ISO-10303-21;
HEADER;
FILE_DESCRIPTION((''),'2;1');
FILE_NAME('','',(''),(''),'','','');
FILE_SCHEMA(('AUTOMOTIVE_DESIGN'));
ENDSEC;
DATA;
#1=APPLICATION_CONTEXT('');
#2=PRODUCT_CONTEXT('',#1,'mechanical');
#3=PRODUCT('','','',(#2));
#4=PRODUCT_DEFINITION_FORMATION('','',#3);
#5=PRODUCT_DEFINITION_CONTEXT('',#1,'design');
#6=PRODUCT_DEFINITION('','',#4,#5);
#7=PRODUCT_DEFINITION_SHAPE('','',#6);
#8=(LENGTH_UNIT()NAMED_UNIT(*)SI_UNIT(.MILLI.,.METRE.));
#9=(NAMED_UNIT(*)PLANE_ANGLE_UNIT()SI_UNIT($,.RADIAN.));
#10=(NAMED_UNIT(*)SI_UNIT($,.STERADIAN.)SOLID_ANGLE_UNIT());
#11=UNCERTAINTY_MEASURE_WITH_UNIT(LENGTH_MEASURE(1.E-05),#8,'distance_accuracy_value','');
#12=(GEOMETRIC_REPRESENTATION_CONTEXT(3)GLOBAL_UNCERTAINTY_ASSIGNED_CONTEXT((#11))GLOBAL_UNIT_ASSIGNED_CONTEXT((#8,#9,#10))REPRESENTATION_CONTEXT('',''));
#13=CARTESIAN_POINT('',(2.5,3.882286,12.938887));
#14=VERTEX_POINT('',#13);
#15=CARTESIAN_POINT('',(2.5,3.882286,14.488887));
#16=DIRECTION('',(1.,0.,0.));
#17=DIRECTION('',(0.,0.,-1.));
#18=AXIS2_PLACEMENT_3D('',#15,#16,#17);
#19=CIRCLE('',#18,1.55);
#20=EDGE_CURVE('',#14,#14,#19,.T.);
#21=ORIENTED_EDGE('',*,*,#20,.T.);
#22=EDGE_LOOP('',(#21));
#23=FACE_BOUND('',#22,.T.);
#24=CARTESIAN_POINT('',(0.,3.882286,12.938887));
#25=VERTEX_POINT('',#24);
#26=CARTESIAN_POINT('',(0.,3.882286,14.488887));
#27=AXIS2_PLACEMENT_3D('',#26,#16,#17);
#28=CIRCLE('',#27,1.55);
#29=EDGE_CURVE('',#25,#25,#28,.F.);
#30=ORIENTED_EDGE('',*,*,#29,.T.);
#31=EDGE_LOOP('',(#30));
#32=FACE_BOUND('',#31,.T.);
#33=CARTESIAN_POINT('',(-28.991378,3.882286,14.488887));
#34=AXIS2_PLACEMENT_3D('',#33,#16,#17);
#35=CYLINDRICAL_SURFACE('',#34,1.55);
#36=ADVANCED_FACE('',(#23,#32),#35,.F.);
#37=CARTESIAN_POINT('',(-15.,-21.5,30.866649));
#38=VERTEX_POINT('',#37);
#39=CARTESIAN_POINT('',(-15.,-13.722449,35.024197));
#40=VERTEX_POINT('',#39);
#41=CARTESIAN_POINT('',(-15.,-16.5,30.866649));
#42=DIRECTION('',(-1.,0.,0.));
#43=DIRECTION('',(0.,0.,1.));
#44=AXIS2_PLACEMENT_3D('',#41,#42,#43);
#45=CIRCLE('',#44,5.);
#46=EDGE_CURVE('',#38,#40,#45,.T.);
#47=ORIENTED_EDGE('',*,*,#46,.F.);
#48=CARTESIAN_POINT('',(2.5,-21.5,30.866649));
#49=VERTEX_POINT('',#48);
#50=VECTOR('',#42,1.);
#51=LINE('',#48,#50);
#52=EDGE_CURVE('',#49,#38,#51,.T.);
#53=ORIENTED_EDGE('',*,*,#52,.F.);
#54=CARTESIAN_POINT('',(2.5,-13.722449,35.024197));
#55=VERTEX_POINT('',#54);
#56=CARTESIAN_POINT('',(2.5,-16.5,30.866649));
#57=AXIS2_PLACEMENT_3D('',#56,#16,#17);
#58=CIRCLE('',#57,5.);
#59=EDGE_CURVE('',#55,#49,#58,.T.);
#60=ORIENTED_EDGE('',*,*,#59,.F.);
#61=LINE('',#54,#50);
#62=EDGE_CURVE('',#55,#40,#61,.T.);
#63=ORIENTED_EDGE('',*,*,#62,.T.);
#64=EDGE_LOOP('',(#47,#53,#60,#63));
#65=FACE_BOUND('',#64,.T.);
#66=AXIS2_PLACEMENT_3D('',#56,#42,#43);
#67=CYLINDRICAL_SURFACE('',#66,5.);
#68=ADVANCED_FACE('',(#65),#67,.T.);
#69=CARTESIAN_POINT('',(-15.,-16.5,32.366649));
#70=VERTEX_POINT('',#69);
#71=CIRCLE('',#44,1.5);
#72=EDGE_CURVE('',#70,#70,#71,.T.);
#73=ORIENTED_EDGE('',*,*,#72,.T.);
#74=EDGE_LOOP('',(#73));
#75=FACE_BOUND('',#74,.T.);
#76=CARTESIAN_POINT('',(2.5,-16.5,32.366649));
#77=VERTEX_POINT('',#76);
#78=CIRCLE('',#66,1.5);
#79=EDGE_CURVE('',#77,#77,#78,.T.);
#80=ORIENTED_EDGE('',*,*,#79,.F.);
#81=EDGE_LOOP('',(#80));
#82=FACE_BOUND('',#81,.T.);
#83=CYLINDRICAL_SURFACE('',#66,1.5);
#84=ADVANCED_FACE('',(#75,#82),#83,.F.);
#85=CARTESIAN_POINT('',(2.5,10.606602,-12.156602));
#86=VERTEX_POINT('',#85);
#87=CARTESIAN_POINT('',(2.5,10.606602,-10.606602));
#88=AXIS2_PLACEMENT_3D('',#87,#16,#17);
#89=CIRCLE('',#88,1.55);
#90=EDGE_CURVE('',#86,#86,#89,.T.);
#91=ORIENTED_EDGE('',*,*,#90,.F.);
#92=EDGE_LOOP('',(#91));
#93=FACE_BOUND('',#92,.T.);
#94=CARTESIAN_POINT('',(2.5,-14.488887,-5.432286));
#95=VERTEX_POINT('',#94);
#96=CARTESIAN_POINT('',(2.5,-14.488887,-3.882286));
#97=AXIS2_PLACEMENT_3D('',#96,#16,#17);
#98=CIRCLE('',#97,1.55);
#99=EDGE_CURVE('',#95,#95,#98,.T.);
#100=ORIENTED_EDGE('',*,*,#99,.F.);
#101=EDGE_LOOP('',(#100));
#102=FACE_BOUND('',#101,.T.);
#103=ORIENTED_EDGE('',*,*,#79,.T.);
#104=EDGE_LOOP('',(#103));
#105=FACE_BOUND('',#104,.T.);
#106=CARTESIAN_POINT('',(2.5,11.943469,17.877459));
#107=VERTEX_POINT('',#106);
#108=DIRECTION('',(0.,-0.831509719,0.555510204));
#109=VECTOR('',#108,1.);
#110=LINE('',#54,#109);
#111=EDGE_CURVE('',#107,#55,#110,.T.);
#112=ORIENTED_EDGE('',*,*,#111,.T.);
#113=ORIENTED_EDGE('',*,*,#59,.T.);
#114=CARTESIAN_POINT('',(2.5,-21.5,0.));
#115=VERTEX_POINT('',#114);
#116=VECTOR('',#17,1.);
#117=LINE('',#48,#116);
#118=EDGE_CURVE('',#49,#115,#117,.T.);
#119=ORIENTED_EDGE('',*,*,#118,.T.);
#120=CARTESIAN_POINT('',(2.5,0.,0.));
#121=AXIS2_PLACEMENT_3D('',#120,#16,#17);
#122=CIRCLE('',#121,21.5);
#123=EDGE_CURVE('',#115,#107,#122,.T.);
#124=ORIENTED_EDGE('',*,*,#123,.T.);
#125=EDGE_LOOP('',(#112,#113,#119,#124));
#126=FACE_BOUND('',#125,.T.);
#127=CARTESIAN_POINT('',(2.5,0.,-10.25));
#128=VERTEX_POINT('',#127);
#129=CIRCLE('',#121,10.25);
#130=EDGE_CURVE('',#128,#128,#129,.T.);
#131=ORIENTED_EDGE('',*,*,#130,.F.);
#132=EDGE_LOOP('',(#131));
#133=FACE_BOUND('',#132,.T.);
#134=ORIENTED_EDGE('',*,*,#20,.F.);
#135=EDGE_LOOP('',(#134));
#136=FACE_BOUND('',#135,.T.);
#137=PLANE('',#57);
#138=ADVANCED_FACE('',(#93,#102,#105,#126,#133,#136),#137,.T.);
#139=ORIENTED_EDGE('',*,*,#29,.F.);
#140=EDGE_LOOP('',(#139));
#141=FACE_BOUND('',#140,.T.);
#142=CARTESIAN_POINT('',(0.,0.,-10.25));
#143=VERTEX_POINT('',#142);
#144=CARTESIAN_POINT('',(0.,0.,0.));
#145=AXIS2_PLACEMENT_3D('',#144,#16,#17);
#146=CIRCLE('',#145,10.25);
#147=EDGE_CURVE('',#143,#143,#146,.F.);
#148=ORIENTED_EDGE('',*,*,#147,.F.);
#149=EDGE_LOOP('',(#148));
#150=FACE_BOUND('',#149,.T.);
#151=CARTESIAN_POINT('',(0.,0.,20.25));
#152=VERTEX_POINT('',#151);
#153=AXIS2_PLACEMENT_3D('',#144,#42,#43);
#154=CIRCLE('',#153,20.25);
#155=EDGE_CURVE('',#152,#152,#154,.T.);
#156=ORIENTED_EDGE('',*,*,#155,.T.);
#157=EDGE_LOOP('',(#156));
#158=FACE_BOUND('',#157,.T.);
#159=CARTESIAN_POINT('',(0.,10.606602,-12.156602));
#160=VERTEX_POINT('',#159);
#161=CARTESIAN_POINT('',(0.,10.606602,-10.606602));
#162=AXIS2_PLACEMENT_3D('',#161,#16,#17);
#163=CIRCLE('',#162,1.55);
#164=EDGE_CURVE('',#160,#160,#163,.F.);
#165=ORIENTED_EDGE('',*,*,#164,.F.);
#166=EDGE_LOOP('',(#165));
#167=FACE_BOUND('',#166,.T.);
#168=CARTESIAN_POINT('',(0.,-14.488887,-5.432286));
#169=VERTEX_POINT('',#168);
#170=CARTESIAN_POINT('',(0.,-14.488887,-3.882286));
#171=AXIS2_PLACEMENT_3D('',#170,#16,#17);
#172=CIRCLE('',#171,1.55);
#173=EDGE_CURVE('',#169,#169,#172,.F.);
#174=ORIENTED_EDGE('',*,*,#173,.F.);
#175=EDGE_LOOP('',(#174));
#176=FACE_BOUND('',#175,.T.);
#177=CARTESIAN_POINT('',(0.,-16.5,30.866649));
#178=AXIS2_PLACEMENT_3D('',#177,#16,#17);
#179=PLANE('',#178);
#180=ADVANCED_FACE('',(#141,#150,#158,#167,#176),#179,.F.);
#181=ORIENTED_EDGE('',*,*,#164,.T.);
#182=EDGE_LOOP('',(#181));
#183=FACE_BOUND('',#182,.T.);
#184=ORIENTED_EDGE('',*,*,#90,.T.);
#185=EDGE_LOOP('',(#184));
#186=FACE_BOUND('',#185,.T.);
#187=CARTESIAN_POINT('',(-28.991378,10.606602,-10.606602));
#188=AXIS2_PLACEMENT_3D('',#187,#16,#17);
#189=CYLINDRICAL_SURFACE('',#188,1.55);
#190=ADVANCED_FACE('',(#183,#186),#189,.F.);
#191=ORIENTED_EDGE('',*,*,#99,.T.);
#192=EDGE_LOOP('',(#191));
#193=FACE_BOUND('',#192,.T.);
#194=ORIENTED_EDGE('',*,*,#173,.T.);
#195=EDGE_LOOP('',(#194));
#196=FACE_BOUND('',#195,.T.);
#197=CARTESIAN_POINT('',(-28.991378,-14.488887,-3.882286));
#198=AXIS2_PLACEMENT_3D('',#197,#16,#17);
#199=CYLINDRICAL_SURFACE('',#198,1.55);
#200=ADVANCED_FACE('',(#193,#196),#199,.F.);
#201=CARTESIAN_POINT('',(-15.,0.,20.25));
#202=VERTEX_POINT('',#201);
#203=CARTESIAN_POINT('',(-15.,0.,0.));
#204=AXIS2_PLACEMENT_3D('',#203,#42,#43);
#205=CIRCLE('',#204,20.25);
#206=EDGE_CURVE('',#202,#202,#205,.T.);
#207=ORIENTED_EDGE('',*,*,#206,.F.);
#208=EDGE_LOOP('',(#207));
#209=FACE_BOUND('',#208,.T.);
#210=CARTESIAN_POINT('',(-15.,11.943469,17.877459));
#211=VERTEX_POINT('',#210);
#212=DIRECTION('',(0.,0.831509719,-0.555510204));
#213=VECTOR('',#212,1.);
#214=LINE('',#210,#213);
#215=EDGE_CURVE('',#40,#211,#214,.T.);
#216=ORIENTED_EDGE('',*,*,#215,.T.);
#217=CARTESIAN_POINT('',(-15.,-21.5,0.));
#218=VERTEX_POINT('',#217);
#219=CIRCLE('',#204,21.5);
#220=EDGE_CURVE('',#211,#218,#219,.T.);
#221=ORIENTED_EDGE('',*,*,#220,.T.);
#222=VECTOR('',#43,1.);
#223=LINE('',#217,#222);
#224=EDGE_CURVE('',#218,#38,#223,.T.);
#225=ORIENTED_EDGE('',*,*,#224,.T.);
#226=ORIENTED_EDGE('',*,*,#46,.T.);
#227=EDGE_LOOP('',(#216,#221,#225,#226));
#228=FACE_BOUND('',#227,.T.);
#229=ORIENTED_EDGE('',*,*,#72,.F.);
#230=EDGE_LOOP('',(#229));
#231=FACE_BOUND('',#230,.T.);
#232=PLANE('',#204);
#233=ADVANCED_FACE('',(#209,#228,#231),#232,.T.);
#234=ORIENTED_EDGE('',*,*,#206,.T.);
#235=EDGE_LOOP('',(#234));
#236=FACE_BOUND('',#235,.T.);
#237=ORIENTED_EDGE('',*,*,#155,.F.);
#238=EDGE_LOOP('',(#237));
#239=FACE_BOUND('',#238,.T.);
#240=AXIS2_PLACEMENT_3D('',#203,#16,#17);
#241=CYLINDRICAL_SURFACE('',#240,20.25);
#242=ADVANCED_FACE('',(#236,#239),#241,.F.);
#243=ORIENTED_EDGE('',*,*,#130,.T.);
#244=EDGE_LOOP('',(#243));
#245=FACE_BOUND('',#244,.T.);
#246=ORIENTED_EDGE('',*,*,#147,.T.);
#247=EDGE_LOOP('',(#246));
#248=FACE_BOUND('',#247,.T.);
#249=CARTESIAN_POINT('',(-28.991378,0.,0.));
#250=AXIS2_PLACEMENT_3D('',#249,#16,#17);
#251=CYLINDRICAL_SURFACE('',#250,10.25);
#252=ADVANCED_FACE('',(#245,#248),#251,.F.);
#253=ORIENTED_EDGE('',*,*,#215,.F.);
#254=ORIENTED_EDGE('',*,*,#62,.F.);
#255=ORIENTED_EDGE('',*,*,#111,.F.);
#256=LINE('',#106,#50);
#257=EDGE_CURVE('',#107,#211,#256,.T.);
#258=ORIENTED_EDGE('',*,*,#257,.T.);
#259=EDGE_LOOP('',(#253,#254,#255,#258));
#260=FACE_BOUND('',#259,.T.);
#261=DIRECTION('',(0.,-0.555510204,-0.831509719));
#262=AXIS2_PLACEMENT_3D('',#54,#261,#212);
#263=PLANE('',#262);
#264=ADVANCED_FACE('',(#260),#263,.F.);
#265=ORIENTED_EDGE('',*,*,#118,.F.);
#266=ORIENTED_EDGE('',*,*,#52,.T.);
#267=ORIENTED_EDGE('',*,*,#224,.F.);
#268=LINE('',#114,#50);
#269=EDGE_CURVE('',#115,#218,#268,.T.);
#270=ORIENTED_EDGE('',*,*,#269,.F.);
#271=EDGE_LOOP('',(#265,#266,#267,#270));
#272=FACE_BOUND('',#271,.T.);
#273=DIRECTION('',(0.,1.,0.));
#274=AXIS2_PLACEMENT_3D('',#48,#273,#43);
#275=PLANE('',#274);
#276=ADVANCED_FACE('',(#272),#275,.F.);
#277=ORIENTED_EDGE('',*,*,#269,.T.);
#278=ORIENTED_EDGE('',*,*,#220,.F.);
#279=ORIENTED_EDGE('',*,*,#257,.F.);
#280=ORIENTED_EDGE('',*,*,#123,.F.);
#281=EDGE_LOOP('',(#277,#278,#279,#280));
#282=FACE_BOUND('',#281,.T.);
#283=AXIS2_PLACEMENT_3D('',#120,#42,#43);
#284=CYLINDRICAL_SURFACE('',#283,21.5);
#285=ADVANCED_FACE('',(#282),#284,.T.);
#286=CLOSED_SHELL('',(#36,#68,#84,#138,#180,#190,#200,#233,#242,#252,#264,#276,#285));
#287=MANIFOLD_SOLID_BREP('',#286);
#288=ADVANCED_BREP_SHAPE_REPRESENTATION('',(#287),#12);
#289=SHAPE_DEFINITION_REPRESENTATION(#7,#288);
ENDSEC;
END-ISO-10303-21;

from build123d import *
from build123d.topology import SkipClean

# Parameters (mm, degrees)
EXTRUDE_1_DEPTH     = 2.5
EXTRUDE_START       = 15
SKETCH_2_R          = 20.25
EXTRUDE_2_DEPTH     = 15
SKETCH_3_R          = 1.55
SKETCH_3_R_2        = 10.25
CUT_EXTRUDE_1_DEPTH = 2.5
SKETCH_5_R          = 1.5
CUT_EXTRUDE_2_DEPTH = 46.33118669


with BuildPart() as part:
    # Эскиз1 → Бобышка-Вытянуть1 (new body)
    with BuildSketch(Plane(origin=(0, 0, 0), x_dir=(0, 0, -1), z_dir=(1, 0, 0))):
        with BuildLine():
            Line((-30.866648668, -21.5), (0, -21.5))
            ThreePointArc((0, -21.5), (18.960941325, 10.135714286), (-17.877458963, 11.943469388))
            Line((-17.877458963, 11.943469388), (-35.024197264, -13.72244898))
            ThreePointArc((-35.024197264, -13.72244898), (-35.276169906, -18.857142857), (-30.866648668, -21.5))
        make_face()
    extrude(amount=EXTRUDE_1_DEPTH)

    # Эскиз2 → Бобышка-Вытянуть2 (add)
    with SkipClean():  # the faces are left unmerged after this step: merging them gives an invalid solid
        with BuildSketch(Plane.ZY.offset(EXTRUDE_START)):
            with BuildLine():
                Line((0, -21.5), (30.866648668, -21.5))
                ThreePointArc((30.866648668, -21.5), (35.276169906, -18.857142857), (35.024197264, -13.72244898))
                Line((35.024197264, -13.72244898), (17.877458963, 11.943469388))
                ThreePointArc((17.877458963, 11.943469388), (-18.960941325, 10.135714286), (0, -21.5))
            make_face()
            Circle(SKETCH_2_R, mode=Mode.SUBTRACT)
        extrude(amount=-EXTRUDE_2_DEPTH)

    # Эскиз3 → Вырез-Вытянуть1 (cut)
    with SkipClean():  # the faces are left unmerged after this step: merging them gives an invalid solid
        with BuildSketch(Plane(origin=(2.5, 0, 0), x_dir=(0, 0, -1), z_dir=(1, 0, 0))):
            with Locations((10.606601718, 10.606601718)):
                Circle(SKETCH_3_R)
            with Locations((3.882285677, -14.488887394)):
                Circle(SKETCH_3_R)
            with Locations((-14.488887394, 3.882285677)):
                Circle(SKETCH_3_R)
            Circle(SKETCH_3_R_2)
        extrude(amount=-CUT_EXTRUDE_1_DEPTH, mode=Mode.SUBTRACT)

    # Эскиз5 → Вырез-Вытянуть2 (cut, through all)
    with SkipClean():  # the faces are left unmerged after this step: merging them gives an invalid solid
        with BuildSketch(Plane.ZY.offset(15)):
            with Locations((30.866648668, -16.5)):
                Circle(SKETCH_5_R)
        extrude(amount=-CUT_EXTRUDE_2_DEPTH, mode=Mode.SUBTRACT)


solid = part.part
